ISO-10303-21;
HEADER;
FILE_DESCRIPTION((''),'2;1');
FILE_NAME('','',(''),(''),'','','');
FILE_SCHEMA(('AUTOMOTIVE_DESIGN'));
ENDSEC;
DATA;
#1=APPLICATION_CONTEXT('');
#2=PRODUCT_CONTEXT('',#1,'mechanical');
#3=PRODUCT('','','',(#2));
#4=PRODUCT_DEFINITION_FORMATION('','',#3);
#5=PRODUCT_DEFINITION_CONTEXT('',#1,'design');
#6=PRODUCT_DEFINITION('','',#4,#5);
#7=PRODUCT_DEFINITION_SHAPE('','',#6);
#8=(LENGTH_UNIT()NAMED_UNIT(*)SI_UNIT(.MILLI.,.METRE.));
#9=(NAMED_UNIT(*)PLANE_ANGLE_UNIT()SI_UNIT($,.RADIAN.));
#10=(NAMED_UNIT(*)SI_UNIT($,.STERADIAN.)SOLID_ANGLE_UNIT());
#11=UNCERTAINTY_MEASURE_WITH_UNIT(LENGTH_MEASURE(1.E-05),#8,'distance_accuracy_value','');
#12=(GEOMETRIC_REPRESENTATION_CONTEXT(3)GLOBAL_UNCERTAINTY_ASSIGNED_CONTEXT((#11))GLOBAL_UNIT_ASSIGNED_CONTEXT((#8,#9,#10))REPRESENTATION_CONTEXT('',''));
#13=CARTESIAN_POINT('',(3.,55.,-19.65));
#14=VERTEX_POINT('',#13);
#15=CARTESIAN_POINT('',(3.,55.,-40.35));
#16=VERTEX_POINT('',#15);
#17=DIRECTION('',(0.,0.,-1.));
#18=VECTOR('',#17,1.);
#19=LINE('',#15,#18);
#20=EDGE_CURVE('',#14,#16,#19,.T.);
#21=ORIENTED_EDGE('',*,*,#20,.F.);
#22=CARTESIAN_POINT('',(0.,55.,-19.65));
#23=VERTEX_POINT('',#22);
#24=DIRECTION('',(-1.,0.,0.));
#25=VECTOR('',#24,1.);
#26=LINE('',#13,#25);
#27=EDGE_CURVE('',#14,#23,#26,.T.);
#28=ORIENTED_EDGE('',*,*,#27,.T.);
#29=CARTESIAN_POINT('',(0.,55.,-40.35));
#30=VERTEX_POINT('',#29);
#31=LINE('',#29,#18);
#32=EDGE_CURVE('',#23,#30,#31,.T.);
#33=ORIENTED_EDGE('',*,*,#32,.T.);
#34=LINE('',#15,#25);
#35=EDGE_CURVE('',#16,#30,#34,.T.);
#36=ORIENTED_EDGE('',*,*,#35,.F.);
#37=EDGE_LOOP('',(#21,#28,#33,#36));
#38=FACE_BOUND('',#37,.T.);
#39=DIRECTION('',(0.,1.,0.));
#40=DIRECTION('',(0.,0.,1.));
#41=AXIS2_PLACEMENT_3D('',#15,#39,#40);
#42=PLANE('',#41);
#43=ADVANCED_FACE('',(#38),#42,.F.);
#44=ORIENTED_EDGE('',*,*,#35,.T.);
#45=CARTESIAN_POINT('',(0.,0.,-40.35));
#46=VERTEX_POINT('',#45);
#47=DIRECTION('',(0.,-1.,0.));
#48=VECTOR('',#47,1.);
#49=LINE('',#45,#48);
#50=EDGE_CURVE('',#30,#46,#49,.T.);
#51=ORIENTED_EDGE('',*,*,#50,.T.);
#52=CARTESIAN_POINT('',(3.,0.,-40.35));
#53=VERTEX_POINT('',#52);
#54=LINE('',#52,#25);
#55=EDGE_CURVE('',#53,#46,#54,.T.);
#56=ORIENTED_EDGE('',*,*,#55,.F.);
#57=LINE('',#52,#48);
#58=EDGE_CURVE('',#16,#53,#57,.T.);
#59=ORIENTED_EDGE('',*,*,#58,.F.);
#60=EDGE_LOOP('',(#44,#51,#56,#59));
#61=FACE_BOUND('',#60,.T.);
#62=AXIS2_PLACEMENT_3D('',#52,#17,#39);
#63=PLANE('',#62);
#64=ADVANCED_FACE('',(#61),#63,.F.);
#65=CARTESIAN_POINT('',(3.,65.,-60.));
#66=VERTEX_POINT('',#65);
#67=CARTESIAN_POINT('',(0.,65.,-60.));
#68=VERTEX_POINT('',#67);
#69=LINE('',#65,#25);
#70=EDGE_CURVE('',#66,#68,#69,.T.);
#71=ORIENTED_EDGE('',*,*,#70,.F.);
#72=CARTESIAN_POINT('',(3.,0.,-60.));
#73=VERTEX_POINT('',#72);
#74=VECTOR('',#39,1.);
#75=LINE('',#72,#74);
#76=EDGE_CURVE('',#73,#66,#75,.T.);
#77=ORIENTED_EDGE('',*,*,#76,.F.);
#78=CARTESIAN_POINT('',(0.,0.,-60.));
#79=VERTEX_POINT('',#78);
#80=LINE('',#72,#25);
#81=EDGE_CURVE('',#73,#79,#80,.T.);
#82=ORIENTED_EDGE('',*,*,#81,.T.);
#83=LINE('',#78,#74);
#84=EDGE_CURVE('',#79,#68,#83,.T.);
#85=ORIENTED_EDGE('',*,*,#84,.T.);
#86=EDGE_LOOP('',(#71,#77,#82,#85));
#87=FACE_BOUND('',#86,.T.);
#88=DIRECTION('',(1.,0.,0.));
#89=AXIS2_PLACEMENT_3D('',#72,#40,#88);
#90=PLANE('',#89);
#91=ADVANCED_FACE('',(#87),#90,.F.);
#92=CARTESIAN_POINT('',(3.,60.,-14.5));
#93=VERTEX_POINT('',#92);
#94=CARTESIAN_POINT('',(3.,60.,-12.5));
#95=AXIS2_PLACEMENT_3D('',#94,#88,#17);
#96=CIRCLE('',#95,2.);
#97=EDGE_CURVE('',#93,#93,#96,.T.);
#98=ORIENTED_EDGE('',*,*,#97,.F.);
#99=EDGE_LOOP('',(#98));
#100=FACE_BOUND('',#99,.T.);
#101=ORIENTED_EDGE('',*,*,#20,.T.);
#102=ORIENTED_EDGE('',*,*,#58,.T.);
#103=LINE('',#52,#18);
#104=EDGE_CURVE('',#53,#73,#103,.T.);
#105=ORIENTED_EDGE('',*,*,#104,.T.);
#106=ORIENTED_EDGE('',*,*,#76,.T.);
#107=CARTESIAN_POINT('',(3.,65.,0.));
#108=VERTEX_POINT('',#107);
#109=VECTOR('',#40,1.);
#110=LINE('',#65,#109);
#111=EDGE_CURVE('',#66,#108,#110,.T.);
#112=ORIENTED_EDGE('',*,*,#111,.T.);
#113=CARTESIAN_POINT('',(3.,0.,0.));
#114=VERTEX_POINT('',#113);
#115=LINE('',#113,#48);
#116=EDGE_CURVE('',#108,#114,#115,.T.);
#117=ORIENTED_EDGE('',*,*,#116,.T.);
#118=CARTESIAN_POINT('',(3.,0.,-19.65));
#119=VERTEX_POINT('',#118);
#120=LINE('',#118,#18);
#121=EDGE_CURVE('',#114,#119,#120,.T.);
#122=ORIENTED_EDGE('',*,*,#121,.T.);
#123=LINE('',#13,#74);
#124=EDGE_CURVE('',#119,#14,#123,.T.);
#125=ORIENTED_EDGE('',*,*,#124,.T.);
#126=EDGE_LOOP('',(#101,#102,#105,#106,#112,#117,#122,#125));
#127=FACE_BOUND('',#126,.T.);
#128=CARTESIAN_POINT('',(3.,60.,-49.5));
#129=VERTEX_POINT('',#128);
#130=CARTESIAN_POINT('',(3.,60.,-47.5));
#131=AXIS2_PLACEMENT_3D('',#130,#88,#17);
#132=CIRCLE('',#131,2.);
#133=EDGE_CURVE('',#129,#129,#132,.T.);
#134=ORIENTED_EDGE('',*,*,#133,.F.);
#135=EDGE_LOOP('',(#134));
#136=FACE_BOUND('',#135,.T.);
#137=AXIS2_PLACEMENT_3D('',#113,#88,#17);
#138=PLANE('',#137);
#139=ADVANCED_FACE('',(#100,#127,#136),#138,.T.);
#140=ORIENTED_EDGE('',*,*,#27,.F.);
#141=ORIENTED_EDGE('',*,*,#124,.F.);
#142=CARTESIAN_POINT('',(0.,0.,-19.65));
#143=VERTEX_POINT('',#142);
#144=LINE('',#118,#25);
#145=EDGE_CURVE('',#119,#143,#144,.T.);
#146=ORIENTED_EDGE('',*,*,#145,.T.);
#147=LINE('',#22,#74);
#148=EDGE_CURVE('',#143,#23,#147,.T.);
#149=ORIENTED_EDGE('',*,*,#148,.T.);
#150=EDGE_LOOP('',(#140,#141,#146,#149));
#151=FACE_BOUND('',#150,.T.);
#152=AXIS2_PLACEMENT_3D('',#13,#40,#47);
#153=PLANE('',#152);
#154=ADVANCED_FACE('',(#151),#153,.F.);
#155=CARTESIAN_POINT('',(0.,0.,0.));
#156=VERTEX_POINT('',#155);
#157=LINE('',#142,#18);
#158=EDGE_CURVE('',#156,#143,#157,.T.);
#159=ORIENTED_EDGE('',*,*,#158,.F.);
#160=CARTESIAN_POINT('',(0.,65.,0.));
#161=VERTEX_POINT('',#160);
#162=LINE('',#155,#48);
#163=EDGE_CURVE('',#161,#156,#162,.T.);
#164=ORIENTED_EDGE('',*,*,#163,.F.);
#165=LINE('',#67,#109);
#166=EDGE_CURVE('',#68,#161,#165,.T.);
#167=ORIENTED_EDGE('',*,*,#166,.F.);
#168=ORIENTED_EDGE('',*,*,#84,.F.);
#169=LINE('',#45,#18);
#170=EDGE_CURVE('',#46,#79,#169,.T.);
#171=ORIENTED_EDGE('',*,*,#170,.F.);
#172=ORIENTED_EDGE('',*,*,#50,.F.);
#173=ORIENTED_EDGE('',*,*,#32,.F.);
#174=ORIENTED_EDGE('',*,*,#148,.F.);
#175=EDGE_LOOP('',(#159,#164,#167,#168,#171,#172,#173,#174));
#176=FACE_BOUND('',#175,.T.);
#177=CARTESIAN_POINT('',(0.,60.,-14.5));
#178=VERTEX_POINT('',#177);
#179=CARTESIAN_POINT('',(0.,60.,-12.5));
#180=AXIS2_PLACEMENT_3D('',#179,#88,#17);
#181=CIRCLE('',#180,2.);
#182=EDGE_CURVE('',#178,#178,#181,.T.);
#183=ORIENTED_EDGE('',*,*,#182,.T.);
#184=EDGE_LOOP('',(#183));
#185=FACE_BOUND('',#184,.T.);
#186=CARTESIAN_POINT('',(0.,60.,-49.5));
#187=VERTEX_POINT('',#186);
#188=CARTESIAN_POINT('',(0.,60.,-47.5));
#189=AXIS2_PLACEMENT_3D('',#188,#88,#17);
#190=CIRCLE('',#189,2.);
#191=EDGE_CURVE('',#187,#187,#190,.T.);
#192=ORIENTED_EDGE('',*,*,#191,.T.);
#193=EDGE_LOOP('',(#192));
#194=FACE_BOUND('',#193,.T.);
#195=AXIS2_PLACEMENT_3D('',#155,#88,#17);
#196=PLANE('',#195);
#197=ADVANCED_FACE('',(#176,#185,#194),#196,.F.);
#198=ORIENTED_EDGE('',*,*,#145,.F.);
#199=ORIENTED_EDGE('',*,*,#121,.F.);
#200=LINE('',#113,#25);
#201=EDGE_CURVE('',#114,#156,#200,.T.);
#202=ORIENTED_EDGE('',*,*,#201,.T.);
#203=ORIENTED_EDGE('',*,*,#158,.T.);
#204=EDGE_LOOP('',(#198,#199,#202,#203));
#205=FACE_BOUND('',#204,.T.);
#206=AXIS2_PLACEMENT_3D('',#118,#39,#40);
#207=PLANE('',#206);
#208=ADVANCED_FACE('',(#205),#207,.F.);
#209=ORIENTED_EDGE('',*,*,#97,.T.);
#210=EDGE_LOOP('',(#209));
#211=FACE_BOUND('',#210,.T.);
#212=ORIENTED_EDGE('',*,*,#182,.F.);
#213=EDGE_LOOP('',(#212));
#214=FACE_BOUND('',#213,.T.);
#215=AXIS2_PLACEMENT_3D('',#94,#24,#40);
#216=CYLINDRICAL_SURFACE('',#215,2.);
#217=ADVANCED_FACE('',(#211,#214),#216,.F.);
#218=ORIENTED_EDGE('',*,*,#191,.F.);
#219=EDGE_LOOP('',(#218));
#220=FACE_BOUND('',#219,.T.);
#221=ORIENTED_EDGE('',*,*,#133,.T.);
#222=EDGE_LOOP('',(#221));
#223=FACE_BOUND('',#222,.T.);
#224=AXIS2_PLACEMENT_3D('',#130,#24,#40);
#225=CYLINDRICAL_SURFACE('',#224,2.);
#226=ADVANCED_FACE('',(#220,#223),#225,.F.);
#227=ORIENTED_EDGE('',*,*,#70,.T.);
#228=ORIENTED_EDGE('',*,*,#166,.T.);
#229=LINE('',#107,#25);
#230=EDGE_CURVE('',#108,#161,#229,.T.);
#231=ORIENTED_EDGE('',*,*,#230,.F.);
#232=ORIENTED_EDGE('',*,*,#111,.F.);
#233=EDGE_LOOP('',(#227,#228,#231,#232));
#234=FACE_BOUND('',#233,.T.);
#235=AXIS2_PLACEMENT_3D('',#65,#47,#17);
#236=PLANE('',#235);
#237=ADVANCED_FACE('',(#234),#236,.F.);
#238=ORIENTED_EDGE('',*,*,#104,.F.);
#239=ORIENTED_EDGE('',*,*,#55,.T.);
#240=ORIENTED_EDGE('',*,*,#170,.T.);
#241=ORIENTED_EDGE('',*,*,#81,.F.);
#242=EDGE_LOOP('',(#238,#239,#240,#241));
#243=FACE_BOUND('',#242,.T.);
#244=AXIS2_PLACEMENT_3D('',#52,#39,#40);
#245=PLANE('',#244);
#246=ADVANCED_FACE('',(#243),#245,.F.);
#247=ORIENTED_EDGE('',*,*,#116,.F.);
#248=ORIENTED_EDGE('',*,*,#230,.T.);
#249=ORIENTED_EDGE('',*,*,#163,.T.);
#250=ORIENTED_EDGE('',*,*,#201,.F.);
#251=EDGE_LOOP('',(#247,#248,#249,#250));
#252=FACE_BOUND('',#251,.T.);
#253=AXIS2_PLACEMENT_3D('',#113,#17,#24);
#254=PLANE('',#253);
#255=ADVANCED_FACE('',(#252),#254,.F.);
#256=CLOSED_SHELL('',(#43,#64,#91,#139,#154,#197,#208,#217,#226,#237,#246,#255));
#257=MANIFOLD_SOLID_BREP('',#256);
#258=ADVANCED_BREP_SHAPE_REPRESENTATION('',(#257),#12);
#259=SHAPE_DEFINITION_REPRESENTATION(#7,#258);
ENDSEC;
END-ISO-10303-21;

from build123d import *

# Parameters (mm, degrees)
SKETCH2_R           = 2
BOSS_EXTRUDE1_DEPTH = 3


with BuildPart() as part:
    # Sketch2 → Boss-Extrude1 (new body)
    with BuildSketch(Plane(origin=(0, 0, 0), x_dir=(0, 0, -1), z_dir=(1, 0, 0))):
        Polygon((60, 65), (0, 65), (0, 0), (19.65, 0), (19.65, 55), (40.35, 55), (40.35, 0), (60, 0), align=None)
        with Locations((12.5, 60)):
            Circle(SKETCH2_R, mode=Mode.SUBTRACT)
        with Locations((47.5, 60)):
            Circle(SKETCH2_R, mode=Mode.SUBTRACT)
    extrude(amount=BOSS_EXTRUDE1_DEPTH)


solid = part.part
